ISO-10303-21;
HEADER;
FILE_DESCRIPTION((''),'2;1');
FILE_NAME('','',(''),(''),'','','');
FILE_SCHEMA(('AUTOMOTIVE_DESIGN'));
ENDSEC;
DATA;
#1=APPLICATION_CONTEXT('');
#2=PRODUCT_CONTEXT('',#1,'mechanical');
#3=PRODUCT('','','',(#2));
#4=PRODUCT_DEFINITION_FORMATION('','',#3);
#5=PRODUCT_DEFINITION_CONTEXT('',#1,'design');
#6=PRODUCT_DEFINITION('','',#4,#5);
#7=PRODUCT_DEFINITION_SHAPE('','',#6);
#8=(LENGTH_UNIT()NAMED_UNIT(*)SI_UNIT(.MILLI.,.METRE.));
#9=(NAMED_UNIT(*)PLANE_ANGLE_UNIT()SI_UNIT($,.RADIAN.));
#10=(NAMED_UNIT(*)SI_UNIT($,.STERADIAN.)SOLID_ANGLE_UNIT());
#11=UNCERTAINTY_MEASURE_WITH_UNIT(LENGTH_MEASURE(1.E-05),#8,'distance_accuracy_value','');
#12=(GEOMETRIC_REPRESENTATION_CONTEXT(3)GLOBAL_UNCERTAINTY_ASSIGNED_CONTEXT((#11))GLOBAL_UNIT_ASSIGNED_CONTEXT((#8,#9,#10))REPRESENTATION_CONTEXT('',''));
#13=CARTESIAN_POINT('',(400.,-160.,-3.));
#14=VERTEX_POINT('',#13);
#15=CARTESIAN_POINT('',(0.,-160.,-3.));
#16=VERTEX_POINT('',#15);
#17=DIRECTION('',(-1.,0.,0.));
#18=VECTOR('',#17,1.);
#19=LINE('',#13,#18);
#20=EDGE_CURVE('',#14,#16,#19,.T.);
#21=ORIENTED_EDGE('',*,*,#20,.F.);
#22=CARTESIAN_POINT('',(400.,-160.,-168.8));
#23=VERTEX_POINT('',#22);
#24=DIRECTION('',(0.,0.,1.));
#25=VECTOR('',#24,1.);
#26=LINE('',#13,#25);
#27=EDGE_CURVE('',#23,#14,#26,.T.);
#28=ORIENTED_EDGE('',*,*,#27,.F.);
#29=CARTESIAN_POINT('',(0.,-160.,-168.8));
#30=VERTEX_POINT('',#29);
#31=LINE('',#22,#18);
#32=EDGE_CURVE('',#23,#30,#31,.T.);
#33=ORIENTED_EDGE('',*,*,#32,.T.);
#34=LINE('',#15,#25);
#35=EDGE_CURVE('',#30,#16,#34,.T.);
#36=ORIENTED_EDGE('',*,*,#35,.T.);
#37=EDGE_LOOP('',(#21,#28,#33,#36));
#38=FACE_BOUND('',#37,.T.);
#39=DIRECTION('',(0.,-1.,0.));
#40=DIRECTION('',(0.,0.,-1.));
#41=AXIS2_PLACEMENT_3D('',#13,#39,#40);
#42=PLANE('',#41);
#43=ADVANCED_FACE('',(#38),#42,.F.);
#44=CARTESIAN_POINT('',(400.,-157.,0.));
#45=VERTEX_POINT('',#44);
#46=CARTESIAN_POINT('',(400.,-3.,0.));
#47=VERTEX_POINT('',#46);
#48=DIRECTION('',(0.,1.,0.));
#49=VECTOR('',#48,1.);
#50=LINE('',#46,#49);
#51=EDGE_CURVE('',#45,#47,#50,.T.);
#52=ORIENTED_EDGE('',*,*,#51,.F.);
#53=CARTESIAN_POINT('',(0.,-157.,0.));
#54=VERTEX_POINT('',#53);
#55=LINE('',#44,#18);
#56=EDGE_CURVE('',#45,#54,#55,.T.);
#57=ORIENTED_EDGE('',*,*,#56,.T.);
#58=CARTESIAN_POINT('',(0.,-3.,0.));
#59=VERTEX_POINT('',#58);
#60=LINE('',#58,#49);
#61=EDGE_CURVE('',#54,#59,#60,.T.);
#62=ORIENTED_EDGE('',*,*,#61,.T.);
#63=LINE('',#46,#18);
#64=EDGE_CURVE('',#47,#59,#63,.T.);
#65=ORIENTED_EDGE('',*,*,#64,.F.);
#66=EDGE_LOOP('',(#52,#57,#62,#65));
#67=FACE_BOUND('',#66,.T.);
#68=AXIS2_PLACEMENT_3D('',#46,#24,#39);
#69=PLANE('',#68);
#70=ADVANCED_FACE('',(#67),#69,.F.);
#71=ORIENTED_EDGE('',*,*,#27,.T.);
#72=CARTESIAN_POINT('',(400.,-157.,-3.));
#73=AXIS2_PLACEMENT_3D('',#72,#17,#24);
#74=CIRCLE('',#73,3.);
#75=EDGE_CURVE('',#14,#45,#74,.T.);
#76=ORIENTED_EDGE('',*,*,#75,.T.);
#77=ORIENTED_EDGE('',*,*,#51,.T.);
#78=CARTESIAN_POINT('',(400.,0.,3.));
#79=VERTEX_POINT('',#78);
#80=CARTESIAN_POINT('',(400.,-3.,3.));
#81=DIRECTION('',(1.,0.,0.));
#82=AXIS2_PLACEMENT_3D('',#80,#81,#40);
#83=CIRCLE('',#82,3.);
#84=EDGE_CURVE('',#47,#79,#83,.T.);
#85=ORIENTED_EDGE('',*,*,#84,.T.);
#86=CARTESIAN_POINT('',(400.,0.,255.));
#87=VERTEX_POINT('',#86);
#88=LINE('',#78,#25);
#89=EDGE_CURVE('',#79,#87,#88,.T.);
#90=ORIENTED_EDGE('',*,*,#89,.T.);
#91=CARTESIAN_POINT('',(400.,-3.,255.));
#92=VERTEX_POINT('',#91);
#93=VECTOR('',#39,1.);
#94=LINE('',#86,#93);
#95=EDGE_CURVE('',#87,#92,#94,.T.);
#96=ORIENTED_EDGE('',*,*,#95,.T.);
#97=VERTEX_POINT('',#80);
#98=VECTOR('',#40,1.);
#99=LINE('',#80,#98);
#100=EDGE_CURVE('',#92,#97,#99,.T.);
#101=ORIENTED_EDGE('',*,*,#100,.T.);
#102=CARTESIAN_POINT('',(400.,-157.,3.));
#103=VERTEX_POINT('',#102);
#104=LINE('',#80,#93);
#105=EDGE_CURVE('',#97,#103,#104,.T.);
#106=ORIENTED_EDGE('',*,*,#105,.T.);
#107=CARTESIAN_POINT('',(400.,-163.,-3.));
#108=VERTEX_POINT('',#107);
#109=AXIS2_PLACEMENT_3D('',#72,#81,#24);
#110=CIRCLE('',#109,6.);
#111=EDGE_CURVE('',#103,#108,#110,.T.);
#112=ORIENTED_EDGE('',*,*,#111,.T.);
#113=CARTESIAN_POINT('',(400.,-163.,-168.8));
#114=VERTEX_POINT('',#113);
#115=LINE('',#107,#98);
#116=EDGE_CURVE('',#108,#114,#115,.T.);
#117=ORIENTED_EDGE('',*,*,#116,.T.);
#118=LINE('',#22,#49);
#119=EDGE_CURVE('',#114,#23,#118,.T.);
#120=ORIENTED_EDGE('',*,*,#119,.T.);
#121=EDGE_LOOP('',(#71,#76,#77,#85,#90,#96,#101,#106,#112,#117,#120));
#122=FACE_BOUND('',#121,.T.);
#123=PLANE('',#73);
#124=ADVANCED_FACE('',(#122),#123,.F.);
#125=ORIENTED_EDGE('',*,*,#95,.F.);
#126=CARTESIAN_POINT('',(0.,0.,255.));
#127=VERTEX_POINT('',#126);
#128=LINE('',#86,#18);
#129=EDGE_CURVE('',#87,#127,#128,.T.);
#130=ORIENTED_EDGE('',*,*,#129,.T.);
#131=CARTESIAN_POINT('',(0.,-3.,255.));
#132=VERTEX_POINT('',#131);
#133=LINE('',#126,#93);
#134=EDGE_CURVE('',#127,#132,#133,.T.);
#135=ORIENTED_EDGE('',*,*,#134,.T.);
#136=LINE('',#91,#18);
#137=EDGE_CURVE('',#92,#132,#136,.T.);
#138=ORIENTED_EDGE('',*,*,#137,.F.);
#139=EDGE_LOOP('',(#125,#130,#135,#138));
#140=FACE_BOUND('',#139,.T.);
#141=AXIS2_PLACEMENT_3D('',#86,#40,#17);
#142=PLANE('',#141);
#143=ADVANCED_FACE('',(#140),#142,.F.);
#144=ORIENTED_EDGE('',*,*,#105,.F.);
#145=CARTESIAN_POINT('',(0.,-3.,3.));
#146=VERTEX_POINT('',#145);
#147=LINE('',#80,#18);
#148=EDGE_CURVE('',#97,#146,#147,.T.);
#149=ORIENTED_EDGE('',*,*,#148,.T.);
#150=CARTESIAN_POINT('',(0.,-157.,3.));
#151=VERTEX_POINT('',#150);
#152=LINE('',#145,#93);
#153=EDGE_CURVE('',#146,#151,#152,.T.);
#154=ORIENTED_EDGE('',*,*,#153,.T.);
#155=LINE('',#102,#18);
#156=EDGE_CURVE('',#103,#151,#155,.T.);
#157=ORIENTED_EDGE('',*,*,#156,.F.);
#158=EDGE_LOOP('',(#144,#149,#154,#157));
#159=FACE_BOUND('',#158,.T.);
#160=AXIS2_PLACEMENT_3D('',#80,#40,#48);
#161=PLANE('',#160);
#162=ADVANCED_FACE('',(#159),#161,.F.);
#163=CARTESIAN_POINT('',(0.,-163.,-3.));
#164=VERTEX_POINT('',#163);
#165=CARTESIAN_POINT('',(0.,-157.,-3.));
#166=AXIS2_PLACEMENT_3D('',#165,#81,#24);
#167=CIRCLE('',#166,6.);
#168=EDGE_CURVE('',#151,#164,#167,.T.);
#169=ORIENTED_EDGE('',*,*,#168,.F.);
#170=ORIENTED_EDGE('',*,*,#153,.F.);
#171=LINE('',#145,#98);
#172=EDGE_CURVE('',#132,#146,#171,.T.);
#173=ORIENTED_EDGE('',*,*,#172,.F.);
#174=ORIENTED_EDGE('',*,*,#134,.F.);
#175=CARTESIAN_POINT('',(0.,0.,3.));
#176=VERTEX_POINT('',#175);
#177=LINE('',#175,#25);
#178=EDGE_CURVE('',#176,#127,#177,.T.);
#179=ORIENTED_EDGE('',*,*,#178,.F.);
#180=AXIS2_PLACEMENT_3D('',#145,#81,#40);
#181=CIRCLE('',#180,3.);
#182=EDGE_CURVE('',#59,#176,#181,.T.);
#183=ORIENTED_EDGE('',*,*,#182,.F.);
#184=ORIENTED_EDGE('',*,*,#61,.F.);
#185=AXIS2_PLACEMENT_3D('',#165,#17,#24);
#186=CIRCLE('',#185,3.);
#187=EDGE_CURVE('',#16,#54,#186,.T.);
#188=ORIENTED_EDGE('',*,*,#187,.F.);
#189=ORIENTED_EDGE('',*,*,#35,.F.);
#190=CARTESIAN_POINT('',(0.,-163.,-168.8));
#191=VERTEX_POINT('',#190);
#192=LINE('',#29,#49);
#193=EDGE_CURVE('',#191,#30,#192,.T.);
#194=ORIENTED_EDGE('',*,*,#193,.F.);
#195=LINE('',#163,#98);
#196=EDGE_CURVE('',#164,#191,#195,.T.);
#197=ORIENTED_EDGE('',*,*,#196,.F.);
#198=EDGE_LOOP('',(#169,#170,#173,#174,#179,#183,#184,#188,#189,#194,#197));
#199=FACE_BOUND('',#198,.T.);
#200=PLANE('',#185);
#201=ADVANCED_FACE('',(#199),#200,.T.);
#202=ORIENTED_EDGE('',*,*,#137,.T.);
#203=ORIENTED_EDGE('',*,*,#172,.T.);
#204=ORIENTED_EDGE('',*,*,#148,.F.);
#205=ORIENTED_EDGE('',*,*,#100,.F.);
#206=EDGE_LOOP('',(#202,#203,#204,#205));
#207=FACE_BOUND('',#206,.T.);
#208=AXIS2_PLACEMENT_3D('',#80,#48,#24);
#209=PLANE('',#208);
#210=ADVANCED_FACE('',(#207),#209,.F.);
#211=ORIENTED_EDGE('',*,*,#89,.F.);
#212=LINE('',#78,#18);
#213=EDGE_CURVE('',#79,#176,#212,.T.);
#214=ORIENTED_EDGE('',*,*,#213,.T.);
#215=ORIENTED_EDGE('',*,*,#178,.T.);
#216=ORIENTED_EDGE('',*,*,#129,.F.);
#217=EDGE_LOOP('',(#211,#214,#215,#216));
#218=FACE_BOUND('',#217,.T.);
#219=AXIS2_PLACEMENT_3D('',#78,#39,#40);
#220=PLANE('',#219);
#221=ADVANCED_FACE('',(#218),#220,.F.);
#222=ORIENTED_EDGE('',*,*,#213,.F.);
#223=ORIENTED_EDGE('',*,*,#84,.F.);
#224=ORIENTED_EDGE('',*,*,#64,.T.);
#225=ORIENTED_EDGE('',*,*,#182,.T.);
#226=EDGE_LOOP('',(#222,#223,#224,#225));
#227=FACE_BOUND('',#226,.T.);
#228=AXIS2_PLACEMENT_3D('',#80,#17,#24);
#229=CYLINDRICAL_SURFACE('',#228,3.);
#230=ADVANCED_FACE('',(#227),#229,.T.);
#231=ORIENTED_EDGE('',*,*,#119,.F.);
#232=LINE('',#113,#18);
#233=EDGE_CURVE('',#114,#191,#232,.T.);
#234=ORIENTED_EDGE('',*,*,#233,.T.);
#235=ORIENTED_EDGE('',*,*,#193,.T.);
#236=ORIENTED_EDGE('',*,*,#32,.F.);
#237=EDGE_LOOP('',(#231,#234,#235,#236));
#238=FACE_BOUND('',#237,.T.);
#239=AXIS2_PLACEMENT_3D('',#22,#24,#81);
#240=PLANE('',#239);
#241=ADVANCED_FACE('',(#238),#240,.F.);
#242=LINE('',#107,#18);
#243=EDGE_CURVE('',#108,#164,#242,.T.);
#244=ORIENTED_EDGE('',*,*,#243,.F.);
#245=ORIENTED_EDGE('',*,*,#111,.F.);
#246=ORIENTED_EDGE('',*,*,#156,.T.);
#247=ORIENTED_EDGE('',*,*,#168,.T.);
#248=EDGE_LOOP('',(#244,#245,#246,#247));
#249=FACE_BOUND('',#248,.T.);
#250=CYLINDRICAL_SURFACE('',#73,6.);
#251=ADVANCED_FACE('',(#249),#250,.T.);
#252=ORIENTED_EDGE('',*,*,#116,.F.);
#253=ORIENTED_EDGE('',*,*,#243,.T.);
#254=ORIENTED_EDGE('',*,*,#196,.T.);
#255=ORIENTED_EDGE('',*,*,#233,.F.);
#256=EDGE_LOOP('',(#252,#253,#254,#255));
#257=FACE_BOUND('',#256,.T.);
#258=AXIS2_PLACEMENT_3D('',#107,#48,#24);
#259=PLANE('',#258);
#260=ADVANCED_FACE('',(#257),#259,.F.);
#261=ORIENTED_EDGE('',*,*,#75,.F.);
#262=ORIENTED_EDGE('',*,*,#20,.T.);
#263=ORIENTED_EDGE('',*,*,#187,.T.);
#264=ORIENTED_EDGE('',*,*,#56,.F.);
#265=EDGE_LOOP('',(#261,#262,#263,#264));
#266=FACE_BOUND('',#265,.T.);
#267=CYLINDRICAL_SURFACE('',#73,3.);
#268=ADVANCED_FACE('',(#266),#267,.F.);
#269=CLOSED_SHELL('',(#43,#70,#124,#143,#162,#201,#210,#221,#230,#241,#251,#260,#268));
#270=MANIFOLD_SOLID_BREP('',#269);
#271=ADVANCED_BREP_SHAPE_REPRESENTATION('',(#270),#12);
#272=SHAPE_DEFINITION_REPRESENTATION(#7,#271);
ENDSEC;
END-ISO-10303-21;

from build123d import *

# Parameters (mm, degrees)
SALIENTE_EXTRUIR1_DEPTH = 400


with BuildPart() as part:
    # Croquis1 → Saliente-Extruir1 (new body)
    with BuildSketch(Plane(origin=(0, 0, 0), x_dir=(0, 0, -1), z_dir=(1, 0, 0))):
        with BuildLine():
            Line((-3, 0), (-255, 0))
            Line((-255, 0), (-255, -3))
            Line((-255, -3), (-3, -3))
            Line((-3, -3), (-3, -157))
            ThreePointArc((-3, -157), (-1.242640687, -161.242640687), (3, -163))
            Line((3, -163), (168.8, -163))
            Line((168.8, -163), (168.8, -160))
            Line((168.8, -160), (3, -160))
            ThreePointArc((3, -160), (0.878679656, -159.121320344), (0, -157))
            Line((0, -157), (0, -3))
            ThreePointArc((0, -3), (-0.878679656, -0.878679656), (-3, 0))
        make_face()
    extrude(amount=SALIENTE_EXTRUIR1_DEPTH)


solid = part.part
